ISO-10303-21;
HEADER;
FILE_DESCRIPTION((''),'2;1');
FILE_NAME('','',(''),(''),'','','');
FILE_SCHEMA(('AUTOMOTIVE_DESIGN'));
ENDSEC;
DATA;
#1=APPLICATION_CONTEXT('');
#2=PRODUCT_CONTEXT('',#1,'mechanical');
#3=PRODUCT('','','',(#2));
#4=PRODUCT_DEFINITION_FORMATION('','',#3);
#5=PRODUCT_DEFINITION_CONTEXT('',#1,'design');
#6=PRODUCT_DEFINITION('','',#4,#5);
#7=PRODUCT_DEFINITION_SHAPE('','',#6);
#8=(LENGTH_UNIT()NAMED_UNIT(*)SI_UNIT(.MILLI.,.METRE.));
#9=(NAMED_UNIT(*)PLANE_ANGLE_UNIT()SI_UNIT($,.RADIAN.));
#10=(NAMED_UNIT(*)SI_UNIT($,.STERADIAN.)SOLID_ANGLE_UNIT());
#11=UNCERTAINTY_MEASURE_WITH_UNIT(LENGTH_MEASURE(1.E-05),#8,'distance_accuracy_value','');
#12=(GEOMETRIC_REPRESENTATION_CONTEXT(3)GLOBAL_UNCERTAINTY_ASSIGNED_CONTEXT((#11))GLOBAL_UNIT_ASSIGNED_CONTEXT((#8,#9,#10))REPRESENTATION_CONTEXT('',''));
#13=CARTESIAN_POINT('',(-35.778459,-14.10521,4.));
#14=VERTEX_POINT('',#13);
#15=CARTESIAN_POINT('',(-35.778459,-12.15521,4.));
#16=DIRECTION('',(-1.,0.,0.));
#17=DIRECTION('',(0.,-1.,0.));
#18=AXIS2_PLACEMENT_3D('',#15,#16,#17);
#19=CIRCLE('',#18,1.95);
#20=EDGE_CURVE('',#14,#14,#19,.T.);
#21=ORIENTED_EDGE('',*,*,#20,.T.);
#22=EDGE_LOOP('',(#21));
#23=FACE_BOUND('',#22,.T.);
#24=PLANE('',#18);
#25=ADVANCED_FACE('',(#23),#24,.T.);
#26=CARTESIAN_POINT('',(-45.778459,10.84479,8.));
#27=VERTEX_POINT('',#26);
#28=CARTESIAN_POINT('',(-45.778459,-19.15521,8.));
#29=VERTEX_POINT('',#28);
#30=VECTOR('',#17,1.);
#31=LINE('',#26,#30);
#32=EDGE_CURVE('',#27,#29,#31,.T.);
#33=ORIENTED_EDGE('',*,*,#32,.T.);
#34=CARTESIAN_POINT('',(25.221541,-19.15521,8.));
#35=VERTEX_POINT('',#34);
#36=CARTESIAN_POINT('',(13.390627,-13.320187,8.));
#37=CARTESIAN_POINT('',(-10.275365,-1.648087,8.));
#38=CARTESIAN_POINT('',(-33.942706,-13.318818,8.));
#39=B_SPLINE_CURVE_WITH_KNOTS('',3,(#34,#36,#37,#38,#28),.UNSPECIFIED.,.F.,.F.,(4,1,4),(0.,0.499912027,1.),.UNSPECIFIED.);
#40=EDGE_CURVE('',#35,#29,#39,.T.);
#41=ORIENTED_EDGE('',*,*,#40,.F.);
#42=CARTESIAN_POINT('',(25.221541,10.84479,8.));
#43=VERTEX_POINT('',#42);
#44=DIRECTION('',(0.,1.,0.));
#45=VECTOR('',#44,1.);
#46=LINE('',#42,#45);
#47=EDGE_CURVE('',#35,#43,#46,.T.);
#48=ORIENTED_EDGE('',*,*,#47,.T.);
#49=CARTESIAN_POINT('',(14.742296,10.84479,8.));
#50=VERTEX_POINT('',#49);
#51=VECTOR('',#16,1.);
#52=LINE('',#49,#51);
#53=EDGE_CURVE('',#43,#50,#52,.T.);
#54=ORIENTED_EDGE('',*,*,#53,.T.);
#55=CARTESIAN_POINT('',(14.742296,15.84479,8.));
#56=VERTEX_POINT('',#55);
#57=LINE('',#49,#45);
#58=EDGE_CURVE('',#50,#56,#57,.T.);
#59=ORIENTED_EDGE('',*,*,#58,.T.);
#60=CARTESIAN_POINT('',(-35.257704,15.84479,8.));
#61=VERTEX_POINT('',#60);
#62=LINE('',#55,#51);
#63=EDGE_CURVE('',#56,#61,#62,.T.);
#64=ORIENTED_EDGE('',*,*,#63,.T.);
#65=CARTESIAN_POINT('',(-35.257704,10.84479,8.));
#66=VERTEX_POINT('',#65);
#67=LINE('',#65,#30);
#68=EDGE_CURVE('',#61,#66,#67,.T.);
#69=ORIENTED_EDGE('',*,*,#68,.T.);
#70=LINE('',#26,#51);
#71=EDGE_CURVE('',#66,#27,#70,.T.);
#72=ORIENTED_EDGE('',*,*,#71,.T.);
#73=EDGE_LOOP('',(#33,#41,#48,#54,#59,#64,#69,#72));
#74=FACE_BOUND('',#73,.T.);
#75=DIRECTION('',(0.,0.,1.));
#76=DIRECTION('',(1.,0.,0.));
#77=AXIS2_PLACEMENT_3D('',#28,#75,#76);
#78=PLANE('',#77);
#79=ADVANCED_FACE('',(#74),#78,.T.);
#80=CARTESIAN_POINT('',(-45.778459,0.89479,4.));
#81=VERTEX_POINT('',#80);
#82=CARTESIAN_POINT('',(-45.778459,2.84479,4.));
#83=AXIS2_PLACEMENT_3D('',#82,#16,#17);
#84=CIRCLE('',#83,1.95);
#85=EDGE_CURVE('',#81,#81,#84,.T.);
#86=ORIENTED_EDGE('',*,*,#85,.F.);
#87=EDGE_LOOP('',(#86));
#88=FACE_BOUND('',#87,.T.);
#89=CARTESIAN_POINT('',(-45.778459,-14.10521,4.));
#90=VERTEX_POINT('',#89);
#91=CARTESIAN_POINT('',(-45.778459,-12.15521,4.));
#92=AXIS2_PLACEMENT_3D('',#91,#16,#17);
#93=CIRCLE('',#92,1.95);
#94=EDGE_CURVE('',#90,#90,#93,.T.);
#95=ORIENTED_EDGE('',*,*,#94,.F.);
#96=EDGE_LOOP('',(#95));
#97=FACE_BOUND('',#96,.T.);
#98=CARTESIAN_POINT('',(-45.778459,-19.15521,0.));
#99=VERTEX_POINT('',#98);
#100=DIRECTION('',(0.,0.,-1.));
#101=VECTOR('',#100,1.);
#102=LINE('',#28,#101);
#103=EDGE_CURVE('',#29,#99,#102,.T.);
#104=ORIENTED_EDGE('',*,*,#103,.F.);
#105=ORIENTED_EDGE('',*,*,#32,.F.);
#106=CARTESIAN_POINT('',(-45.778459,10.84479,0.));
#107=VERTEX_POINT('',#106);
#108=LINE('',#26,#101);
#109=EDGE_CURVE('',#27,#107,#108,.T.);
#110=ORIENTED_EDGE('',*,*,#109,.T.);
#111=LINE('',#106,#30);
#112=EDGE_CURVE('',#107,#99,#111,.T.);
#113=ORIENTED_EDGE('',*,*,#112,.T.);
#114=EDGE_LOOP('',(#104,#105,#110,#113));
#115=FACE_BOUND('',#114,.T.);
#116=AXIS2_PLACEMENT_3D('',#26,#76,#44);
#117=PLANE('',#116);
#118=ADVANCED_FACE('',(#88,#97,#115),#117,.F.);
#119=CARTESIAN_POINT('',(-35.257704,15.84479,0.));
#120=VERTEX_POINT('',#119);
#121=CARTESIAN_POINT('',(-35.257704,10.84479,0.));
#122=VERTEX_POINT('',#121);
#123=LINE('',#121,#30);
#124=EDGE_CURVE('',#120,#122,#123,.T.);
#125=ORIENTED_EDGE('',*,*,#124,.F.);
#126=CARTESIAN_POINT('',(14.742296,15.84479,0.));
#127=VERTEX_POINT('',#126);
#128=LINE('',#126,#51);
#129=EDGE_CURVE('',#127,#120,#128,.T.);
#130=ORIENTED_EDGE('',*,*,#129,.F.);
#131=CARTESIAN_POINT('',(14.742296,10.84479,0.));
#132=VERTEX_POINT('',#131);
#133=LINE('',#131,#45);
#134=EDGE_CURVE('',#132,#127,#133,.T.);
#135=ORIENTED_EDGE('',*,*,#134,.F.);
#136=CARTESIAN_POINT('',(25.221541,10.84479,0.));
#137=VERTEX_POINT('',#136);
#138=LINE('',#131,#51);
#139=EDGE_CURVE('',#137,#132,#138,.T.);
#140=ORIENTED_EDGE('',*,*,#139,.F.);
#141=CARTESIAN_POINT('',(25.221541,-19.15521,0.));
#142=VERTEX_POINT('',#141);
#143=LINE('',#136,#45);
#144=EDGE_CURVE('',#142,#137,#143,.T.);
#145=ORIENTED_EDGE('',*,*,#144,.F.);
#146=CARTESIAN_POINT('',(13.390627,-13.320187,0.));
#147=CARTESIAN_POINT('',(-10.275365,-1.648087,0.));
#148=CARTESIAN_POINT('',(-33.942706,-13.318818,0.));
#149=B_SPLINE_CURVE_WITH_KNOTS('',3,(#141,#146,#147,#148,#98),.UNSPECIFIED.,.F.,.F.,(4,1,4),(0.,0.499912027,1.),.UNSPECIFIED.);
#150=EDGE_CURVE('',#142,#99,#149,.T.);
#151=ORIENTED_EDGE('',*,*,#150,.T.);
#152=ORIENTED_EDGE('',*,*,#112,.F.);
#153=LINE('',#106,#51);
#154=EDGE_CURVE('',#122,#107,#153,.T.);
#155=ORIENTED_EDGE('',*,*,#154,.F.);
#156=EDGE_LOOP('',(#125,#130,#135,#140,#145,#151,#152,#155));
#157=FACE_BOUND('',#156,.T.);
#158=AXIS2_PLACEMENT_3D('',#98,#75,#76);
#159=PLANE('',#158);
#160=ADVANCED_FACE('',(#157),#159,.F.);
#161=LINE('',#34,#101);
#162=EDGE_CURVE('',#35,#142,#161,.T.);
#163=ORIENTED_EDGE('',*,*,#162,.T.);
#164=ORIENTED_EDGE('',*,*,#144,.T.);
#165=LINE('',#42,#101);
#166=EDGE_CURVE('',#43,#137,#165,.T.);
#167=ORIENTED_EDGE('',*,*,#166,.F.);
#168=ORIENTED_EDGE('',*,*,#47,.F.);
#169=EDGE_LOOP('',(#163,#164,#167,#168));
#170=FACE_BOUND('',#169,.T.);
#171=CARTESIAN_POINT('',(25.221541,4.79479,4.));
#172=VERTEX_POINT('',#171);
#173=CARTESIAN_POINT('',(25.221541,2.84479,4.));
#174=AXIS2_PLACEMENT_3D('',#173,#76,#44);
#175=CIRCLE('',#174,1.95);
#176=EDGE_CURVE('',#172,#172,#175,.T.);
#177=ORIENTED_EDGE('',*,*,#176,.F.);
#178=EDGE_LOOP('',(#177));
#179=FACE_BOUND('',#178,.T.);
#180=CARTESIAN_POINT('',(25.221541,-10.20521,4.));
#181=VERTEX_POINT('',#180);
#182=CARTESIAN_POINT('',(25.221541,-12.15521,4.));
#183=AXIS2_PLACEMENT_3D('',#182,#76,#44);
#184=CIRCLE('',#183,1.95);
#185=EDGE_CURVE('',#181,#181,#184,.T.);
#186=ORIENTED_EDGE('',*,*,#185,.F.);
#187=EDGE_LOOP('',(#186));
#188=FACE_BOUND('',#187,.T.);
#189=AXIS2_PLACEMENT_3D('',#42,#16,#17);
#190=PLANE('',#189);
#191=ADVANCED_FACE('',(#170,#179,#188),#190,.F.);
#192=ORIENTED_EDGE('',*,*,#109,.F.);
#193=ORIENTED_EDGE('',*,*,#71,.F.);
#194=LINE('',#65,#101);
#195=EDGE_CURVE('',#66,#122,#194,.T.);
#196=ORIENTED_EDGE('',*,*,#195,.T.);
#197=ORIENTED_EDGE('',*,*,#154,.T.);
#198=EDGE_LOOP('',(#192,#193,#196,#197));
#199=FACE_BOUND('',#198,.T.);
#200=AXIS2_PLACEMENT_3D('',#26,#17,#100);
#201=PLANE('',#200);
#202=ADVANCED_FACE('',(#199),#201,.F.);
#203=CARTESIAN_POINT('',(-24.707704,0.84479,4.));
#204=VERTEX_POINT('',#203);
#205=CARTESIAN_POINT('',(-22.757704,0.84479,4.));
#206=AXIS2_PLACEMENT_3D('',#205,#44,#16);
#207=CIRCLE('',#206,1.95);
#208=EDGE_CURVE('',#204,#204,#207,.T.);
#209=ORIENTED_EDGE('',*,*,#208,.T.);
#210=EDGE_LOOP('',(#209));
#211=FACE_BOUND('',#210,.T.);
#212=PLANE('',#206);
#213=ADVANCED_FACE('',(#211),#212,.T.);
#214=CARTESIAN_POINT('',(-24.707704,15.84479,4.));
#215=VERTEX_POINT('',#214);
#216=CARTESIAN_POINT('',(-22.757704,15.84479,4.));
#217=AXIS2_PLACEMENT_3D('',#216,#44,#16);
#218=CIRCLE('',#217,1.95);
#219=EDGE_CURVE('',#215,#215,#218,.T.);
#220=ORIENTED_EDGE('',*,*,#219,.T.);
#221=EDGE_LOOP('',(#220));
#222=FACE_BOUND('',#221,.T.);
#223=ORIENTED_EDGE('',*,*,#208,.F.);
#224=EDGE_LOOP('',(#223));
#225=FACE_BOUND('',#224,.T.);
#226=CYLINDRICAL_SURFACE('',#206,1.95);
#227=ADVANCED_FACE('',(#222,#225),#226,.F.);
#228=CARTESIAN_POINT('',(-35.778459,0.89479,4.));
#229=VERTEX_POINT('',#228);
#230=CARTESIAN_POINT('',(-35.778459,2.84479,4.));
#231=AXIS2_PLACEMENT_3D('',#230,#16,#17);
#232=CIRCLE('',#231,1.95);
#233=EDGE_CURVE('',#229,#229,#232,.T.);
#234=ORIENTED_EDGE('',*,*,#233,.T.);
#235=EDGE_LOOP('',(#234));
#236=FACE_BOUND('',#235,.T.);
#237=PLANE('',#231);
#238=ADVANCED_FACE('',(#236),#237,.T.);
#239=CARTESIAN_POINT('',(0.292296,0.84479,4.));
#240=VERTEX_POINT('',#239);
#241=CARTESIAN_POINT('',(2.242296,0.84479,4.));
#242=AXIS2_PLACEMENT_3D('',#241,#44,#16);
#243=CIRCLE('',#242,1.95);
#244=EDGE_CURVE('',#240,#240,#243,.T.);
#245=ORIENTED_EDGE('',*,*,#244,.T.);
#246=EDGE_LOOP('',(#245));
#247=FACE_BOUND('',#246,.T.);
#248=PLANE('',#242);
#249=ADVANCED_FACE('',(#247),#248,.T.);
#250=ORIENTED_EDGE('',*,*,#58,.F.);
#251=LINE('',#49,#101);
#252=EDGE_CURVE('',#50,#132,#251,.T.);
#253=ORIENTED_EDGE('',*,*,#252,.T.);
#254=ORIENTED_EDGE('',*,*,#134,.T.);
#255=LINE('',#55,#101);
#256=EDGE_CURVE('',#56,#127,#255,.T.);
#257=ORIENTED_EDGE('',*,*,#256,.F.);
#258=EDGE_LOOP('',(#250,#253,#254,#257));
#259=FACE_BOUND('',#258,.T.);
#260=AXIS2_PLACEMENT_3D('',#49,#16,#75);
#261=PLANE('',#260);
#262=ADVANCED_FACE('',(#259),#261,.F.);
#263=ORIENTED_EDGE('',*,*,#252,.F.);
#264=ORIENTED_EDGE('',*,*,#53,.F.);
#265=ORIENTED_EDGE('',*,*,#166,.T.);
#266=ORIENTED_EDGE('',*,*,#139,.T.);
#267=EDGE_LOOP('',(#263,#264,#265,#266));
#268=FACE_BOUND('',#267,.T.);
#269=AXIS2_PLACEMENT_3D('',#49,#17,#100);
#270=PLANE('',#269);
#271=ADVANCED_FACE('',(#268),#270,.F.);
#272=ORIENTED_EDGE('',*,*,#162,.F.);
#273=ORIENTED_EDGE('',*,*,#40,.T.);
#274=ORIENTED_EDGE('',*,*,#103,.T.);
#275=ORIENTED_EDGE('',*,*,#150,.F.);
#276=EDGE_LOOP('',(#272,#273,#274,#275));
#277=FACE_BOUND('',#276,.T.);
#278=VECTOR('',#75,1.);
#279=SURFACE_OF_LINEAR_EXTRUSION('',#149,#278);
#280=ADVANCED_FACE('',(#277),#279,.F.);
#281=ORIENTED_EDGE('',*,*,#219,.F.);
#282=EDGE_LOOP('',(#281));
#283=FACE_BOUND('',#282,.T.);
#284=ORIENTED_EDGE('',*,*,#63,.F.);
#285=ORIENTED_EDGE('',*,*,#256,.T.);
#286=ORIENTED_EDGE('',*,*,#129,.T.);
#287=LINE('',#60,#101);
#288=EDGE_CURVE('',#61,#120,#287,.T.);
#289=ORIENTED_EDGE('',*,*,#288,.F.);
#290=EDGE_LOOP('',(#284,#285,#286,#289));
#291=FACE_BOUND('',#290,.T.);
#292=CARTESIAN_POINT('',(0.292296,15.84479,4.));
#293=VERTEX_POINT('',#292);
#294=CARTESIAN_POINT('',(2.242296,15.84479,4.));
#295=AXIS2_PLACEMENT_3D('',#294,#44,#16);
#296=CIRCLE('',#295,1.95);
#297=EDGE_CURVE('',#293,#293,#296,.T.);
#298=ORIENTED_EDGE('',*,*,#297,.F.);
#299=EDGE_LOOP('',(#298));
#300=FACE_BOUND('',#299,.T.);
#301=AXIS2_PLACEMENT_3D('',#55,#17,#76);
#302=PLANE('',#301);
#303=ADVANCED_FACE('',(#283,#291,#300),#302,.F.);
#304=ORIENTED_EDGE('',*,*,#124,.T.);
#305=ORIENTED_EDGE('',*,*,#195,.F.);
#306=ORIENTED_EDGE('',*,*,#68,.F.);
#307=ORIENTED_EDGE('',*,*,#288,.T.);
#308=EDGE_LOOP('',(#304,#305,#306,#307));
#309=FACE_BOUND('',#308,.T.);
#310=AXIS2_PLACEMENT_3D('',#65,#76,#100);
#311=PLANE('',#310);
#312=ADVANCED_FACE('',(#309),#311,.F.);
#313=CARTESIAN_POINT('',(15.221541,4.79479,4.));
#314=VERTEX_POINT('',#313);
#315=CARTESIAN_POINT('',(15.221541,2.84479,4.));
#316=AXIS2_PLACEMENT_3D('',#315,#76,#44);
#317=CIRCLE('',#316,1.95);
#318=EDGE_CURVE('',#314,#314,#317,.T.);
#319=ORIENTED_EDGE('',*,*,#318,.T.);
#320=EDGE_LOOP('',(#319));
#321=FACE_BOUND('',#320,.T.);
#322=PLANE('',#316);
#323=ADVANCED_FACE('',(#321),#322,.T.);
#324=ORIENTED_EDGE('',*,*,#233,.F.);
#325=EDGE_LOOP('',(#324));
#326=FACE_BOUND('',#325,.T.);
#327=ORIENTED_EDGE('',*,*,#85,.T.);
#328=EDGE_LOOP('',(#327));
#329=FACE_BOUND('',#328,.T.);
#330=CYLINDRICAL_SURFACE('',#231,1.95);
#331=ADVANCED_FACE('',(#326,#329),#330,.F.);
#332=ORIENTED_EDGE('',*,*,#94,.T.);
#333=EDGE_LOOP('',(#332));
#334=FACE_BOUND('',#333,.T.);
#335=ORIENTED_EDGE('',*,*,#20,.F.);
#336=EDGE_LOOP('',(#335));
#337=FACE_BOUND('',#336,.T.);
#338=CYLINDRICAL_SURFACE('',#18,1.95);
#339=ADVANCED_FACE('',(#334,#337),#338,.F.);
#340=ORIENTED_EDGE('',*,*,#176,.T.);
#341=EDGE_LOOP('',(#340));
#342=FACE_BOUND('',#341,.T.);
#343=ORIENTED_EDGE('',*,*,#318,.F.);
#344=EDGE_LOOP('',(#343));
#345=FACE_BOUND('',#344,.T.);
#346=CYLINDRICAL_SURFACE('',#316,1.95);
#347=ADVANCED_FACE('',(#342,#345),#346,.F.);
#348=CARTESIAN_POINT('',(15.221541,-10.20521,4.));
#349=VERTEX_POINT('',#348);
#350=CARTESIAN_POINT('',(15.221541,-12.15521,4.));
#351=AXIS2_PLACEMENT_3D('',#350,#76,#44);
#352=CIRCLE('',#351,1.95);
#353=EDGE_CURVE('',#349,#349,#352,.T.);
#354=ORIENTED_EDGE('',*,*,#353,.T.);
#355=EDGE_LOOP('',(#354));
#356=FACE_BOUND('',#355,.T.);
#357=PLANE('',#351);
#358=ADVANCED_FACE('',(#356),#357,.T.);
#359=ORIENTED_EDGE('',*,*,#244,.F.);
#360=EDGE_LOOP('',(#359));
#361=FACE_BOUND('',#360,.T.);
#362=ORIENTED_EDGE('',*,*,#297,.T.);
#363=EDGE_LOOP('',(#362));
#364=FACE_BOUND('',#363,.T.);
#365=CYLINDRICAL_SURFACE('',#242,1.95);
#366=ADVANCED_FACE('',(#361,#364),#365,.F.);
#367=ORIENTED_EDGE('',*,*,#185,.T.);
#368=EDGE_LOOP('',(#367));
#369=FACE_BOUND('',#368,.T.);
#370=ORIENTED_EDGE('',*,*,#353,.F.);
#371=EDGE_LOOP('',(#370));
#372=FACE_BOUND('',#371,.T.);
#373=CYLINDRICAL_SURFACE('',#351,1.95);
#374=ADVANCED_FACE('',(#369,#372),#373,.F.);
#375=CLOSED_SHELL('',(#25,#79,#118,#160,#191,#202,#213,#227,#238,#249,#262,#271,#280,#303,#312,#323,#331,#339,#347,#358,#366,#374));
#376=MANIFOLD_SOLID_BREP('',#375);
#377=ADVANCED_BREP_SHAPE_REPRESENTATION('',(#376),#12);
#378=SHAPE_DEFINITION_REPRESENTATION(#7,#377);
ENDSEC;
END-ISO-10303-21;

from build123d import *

# Parameters (mm, degrees)
EXTRUDE1_DEPTH = 8
EXTRUDE2_DEPTH = 8
SKETCH3_R      = 1.95
EXTRUDE3_DEPTH = 15
SKETCH4_R      = 1.95
EXTRUDE4_DEPTH = 10
SKETCH5_R      = 1.95
EXTRUDE5_DEPTH = 10


with BuildPart() as part:
    # Sketch1 → Extrude1 (new body)
    with BuildSketch(Plane.XY):
        Polygon((-45.778459293, 10.844789824), (-35.257703973, 10.844789824), (-35.257703973, 15.844789824), (14.742296027, 15.844789824), (14.742296027, 10.844789824), (25.221540707, 10.844789824), (25.221540707, -19.155210176), (-45.778459293, -19.155210176), align=None)
    extrude(amount=EXTRUDE1_DEPTH)

    # Sketch2 → Extrude2 (cut)
    with BuildSketch(Plane.XY.offset(8)):
        with BuildLine():
            Line((-45.778459293, -19.155210176), (25.221540707, -19.155210176))
            add(Edge.make_bspline(
                [(-45.778459293, -19.155210176), (-33.94270631, -13.318817895), (-10.275364533, -1.648086759), (13.390626945, -13.320186926), (25.221540707, -19.155210176)],
                knots=[0, 0, 0, 0, 0.500087973, 1, 1, 1, 1], degree=3))
        make_face()
    extrude(amount=-EXTRUDE2_DEPTH, mode=Mode.SUBTRACT)

    # Sketch3 → Extrude3 (cut)
    with BuildSketch(Plane(origin=(0, 15.844789824, 0), x_dir=(-1, 0, 0), z_dir=(0, 1, 0))):
        with Locations((22.757703973, 4)):
            Circle(SKETCH3_R)
        with Locations((-2.242296027, 4)):
            Circle(SKETCH3_R)
    extrude(amount=-EXTRUDE3_DEPTH, mode=Mode.SUBTRACT)

    # Sketch4 → Extrude4 (cut)
    with BuildSketch(Plane(origin=(25.221540707, 0, 0), x_dir=(0, 0, -1), z_dir=(1, 0, 0))):
        with Locations((-4, 2.844789824)):
            Circle(SKETCH4_R)
        with Locations((-4, -12.155210176)):
            Circle(SKETCH4_R)
    extrude(amount=-EXTRUDE4_DEPTH, mode=Mode.SUBTRACT)

    # Sketch5 → Extrude5 (cut)
    with BuildSketch(Plane.ZY.offset(45.778459293)):
        with Locations((4, 2.844789824)):
            Circle(SKETCH5_R)
        with Locations((4, -12.155210176)):
            Circle(SKETCH5_R)
    extrude(amount=-EXTRUDE5_DEPTH, mode=Mode.SUBTRACT)


solid = part.part
